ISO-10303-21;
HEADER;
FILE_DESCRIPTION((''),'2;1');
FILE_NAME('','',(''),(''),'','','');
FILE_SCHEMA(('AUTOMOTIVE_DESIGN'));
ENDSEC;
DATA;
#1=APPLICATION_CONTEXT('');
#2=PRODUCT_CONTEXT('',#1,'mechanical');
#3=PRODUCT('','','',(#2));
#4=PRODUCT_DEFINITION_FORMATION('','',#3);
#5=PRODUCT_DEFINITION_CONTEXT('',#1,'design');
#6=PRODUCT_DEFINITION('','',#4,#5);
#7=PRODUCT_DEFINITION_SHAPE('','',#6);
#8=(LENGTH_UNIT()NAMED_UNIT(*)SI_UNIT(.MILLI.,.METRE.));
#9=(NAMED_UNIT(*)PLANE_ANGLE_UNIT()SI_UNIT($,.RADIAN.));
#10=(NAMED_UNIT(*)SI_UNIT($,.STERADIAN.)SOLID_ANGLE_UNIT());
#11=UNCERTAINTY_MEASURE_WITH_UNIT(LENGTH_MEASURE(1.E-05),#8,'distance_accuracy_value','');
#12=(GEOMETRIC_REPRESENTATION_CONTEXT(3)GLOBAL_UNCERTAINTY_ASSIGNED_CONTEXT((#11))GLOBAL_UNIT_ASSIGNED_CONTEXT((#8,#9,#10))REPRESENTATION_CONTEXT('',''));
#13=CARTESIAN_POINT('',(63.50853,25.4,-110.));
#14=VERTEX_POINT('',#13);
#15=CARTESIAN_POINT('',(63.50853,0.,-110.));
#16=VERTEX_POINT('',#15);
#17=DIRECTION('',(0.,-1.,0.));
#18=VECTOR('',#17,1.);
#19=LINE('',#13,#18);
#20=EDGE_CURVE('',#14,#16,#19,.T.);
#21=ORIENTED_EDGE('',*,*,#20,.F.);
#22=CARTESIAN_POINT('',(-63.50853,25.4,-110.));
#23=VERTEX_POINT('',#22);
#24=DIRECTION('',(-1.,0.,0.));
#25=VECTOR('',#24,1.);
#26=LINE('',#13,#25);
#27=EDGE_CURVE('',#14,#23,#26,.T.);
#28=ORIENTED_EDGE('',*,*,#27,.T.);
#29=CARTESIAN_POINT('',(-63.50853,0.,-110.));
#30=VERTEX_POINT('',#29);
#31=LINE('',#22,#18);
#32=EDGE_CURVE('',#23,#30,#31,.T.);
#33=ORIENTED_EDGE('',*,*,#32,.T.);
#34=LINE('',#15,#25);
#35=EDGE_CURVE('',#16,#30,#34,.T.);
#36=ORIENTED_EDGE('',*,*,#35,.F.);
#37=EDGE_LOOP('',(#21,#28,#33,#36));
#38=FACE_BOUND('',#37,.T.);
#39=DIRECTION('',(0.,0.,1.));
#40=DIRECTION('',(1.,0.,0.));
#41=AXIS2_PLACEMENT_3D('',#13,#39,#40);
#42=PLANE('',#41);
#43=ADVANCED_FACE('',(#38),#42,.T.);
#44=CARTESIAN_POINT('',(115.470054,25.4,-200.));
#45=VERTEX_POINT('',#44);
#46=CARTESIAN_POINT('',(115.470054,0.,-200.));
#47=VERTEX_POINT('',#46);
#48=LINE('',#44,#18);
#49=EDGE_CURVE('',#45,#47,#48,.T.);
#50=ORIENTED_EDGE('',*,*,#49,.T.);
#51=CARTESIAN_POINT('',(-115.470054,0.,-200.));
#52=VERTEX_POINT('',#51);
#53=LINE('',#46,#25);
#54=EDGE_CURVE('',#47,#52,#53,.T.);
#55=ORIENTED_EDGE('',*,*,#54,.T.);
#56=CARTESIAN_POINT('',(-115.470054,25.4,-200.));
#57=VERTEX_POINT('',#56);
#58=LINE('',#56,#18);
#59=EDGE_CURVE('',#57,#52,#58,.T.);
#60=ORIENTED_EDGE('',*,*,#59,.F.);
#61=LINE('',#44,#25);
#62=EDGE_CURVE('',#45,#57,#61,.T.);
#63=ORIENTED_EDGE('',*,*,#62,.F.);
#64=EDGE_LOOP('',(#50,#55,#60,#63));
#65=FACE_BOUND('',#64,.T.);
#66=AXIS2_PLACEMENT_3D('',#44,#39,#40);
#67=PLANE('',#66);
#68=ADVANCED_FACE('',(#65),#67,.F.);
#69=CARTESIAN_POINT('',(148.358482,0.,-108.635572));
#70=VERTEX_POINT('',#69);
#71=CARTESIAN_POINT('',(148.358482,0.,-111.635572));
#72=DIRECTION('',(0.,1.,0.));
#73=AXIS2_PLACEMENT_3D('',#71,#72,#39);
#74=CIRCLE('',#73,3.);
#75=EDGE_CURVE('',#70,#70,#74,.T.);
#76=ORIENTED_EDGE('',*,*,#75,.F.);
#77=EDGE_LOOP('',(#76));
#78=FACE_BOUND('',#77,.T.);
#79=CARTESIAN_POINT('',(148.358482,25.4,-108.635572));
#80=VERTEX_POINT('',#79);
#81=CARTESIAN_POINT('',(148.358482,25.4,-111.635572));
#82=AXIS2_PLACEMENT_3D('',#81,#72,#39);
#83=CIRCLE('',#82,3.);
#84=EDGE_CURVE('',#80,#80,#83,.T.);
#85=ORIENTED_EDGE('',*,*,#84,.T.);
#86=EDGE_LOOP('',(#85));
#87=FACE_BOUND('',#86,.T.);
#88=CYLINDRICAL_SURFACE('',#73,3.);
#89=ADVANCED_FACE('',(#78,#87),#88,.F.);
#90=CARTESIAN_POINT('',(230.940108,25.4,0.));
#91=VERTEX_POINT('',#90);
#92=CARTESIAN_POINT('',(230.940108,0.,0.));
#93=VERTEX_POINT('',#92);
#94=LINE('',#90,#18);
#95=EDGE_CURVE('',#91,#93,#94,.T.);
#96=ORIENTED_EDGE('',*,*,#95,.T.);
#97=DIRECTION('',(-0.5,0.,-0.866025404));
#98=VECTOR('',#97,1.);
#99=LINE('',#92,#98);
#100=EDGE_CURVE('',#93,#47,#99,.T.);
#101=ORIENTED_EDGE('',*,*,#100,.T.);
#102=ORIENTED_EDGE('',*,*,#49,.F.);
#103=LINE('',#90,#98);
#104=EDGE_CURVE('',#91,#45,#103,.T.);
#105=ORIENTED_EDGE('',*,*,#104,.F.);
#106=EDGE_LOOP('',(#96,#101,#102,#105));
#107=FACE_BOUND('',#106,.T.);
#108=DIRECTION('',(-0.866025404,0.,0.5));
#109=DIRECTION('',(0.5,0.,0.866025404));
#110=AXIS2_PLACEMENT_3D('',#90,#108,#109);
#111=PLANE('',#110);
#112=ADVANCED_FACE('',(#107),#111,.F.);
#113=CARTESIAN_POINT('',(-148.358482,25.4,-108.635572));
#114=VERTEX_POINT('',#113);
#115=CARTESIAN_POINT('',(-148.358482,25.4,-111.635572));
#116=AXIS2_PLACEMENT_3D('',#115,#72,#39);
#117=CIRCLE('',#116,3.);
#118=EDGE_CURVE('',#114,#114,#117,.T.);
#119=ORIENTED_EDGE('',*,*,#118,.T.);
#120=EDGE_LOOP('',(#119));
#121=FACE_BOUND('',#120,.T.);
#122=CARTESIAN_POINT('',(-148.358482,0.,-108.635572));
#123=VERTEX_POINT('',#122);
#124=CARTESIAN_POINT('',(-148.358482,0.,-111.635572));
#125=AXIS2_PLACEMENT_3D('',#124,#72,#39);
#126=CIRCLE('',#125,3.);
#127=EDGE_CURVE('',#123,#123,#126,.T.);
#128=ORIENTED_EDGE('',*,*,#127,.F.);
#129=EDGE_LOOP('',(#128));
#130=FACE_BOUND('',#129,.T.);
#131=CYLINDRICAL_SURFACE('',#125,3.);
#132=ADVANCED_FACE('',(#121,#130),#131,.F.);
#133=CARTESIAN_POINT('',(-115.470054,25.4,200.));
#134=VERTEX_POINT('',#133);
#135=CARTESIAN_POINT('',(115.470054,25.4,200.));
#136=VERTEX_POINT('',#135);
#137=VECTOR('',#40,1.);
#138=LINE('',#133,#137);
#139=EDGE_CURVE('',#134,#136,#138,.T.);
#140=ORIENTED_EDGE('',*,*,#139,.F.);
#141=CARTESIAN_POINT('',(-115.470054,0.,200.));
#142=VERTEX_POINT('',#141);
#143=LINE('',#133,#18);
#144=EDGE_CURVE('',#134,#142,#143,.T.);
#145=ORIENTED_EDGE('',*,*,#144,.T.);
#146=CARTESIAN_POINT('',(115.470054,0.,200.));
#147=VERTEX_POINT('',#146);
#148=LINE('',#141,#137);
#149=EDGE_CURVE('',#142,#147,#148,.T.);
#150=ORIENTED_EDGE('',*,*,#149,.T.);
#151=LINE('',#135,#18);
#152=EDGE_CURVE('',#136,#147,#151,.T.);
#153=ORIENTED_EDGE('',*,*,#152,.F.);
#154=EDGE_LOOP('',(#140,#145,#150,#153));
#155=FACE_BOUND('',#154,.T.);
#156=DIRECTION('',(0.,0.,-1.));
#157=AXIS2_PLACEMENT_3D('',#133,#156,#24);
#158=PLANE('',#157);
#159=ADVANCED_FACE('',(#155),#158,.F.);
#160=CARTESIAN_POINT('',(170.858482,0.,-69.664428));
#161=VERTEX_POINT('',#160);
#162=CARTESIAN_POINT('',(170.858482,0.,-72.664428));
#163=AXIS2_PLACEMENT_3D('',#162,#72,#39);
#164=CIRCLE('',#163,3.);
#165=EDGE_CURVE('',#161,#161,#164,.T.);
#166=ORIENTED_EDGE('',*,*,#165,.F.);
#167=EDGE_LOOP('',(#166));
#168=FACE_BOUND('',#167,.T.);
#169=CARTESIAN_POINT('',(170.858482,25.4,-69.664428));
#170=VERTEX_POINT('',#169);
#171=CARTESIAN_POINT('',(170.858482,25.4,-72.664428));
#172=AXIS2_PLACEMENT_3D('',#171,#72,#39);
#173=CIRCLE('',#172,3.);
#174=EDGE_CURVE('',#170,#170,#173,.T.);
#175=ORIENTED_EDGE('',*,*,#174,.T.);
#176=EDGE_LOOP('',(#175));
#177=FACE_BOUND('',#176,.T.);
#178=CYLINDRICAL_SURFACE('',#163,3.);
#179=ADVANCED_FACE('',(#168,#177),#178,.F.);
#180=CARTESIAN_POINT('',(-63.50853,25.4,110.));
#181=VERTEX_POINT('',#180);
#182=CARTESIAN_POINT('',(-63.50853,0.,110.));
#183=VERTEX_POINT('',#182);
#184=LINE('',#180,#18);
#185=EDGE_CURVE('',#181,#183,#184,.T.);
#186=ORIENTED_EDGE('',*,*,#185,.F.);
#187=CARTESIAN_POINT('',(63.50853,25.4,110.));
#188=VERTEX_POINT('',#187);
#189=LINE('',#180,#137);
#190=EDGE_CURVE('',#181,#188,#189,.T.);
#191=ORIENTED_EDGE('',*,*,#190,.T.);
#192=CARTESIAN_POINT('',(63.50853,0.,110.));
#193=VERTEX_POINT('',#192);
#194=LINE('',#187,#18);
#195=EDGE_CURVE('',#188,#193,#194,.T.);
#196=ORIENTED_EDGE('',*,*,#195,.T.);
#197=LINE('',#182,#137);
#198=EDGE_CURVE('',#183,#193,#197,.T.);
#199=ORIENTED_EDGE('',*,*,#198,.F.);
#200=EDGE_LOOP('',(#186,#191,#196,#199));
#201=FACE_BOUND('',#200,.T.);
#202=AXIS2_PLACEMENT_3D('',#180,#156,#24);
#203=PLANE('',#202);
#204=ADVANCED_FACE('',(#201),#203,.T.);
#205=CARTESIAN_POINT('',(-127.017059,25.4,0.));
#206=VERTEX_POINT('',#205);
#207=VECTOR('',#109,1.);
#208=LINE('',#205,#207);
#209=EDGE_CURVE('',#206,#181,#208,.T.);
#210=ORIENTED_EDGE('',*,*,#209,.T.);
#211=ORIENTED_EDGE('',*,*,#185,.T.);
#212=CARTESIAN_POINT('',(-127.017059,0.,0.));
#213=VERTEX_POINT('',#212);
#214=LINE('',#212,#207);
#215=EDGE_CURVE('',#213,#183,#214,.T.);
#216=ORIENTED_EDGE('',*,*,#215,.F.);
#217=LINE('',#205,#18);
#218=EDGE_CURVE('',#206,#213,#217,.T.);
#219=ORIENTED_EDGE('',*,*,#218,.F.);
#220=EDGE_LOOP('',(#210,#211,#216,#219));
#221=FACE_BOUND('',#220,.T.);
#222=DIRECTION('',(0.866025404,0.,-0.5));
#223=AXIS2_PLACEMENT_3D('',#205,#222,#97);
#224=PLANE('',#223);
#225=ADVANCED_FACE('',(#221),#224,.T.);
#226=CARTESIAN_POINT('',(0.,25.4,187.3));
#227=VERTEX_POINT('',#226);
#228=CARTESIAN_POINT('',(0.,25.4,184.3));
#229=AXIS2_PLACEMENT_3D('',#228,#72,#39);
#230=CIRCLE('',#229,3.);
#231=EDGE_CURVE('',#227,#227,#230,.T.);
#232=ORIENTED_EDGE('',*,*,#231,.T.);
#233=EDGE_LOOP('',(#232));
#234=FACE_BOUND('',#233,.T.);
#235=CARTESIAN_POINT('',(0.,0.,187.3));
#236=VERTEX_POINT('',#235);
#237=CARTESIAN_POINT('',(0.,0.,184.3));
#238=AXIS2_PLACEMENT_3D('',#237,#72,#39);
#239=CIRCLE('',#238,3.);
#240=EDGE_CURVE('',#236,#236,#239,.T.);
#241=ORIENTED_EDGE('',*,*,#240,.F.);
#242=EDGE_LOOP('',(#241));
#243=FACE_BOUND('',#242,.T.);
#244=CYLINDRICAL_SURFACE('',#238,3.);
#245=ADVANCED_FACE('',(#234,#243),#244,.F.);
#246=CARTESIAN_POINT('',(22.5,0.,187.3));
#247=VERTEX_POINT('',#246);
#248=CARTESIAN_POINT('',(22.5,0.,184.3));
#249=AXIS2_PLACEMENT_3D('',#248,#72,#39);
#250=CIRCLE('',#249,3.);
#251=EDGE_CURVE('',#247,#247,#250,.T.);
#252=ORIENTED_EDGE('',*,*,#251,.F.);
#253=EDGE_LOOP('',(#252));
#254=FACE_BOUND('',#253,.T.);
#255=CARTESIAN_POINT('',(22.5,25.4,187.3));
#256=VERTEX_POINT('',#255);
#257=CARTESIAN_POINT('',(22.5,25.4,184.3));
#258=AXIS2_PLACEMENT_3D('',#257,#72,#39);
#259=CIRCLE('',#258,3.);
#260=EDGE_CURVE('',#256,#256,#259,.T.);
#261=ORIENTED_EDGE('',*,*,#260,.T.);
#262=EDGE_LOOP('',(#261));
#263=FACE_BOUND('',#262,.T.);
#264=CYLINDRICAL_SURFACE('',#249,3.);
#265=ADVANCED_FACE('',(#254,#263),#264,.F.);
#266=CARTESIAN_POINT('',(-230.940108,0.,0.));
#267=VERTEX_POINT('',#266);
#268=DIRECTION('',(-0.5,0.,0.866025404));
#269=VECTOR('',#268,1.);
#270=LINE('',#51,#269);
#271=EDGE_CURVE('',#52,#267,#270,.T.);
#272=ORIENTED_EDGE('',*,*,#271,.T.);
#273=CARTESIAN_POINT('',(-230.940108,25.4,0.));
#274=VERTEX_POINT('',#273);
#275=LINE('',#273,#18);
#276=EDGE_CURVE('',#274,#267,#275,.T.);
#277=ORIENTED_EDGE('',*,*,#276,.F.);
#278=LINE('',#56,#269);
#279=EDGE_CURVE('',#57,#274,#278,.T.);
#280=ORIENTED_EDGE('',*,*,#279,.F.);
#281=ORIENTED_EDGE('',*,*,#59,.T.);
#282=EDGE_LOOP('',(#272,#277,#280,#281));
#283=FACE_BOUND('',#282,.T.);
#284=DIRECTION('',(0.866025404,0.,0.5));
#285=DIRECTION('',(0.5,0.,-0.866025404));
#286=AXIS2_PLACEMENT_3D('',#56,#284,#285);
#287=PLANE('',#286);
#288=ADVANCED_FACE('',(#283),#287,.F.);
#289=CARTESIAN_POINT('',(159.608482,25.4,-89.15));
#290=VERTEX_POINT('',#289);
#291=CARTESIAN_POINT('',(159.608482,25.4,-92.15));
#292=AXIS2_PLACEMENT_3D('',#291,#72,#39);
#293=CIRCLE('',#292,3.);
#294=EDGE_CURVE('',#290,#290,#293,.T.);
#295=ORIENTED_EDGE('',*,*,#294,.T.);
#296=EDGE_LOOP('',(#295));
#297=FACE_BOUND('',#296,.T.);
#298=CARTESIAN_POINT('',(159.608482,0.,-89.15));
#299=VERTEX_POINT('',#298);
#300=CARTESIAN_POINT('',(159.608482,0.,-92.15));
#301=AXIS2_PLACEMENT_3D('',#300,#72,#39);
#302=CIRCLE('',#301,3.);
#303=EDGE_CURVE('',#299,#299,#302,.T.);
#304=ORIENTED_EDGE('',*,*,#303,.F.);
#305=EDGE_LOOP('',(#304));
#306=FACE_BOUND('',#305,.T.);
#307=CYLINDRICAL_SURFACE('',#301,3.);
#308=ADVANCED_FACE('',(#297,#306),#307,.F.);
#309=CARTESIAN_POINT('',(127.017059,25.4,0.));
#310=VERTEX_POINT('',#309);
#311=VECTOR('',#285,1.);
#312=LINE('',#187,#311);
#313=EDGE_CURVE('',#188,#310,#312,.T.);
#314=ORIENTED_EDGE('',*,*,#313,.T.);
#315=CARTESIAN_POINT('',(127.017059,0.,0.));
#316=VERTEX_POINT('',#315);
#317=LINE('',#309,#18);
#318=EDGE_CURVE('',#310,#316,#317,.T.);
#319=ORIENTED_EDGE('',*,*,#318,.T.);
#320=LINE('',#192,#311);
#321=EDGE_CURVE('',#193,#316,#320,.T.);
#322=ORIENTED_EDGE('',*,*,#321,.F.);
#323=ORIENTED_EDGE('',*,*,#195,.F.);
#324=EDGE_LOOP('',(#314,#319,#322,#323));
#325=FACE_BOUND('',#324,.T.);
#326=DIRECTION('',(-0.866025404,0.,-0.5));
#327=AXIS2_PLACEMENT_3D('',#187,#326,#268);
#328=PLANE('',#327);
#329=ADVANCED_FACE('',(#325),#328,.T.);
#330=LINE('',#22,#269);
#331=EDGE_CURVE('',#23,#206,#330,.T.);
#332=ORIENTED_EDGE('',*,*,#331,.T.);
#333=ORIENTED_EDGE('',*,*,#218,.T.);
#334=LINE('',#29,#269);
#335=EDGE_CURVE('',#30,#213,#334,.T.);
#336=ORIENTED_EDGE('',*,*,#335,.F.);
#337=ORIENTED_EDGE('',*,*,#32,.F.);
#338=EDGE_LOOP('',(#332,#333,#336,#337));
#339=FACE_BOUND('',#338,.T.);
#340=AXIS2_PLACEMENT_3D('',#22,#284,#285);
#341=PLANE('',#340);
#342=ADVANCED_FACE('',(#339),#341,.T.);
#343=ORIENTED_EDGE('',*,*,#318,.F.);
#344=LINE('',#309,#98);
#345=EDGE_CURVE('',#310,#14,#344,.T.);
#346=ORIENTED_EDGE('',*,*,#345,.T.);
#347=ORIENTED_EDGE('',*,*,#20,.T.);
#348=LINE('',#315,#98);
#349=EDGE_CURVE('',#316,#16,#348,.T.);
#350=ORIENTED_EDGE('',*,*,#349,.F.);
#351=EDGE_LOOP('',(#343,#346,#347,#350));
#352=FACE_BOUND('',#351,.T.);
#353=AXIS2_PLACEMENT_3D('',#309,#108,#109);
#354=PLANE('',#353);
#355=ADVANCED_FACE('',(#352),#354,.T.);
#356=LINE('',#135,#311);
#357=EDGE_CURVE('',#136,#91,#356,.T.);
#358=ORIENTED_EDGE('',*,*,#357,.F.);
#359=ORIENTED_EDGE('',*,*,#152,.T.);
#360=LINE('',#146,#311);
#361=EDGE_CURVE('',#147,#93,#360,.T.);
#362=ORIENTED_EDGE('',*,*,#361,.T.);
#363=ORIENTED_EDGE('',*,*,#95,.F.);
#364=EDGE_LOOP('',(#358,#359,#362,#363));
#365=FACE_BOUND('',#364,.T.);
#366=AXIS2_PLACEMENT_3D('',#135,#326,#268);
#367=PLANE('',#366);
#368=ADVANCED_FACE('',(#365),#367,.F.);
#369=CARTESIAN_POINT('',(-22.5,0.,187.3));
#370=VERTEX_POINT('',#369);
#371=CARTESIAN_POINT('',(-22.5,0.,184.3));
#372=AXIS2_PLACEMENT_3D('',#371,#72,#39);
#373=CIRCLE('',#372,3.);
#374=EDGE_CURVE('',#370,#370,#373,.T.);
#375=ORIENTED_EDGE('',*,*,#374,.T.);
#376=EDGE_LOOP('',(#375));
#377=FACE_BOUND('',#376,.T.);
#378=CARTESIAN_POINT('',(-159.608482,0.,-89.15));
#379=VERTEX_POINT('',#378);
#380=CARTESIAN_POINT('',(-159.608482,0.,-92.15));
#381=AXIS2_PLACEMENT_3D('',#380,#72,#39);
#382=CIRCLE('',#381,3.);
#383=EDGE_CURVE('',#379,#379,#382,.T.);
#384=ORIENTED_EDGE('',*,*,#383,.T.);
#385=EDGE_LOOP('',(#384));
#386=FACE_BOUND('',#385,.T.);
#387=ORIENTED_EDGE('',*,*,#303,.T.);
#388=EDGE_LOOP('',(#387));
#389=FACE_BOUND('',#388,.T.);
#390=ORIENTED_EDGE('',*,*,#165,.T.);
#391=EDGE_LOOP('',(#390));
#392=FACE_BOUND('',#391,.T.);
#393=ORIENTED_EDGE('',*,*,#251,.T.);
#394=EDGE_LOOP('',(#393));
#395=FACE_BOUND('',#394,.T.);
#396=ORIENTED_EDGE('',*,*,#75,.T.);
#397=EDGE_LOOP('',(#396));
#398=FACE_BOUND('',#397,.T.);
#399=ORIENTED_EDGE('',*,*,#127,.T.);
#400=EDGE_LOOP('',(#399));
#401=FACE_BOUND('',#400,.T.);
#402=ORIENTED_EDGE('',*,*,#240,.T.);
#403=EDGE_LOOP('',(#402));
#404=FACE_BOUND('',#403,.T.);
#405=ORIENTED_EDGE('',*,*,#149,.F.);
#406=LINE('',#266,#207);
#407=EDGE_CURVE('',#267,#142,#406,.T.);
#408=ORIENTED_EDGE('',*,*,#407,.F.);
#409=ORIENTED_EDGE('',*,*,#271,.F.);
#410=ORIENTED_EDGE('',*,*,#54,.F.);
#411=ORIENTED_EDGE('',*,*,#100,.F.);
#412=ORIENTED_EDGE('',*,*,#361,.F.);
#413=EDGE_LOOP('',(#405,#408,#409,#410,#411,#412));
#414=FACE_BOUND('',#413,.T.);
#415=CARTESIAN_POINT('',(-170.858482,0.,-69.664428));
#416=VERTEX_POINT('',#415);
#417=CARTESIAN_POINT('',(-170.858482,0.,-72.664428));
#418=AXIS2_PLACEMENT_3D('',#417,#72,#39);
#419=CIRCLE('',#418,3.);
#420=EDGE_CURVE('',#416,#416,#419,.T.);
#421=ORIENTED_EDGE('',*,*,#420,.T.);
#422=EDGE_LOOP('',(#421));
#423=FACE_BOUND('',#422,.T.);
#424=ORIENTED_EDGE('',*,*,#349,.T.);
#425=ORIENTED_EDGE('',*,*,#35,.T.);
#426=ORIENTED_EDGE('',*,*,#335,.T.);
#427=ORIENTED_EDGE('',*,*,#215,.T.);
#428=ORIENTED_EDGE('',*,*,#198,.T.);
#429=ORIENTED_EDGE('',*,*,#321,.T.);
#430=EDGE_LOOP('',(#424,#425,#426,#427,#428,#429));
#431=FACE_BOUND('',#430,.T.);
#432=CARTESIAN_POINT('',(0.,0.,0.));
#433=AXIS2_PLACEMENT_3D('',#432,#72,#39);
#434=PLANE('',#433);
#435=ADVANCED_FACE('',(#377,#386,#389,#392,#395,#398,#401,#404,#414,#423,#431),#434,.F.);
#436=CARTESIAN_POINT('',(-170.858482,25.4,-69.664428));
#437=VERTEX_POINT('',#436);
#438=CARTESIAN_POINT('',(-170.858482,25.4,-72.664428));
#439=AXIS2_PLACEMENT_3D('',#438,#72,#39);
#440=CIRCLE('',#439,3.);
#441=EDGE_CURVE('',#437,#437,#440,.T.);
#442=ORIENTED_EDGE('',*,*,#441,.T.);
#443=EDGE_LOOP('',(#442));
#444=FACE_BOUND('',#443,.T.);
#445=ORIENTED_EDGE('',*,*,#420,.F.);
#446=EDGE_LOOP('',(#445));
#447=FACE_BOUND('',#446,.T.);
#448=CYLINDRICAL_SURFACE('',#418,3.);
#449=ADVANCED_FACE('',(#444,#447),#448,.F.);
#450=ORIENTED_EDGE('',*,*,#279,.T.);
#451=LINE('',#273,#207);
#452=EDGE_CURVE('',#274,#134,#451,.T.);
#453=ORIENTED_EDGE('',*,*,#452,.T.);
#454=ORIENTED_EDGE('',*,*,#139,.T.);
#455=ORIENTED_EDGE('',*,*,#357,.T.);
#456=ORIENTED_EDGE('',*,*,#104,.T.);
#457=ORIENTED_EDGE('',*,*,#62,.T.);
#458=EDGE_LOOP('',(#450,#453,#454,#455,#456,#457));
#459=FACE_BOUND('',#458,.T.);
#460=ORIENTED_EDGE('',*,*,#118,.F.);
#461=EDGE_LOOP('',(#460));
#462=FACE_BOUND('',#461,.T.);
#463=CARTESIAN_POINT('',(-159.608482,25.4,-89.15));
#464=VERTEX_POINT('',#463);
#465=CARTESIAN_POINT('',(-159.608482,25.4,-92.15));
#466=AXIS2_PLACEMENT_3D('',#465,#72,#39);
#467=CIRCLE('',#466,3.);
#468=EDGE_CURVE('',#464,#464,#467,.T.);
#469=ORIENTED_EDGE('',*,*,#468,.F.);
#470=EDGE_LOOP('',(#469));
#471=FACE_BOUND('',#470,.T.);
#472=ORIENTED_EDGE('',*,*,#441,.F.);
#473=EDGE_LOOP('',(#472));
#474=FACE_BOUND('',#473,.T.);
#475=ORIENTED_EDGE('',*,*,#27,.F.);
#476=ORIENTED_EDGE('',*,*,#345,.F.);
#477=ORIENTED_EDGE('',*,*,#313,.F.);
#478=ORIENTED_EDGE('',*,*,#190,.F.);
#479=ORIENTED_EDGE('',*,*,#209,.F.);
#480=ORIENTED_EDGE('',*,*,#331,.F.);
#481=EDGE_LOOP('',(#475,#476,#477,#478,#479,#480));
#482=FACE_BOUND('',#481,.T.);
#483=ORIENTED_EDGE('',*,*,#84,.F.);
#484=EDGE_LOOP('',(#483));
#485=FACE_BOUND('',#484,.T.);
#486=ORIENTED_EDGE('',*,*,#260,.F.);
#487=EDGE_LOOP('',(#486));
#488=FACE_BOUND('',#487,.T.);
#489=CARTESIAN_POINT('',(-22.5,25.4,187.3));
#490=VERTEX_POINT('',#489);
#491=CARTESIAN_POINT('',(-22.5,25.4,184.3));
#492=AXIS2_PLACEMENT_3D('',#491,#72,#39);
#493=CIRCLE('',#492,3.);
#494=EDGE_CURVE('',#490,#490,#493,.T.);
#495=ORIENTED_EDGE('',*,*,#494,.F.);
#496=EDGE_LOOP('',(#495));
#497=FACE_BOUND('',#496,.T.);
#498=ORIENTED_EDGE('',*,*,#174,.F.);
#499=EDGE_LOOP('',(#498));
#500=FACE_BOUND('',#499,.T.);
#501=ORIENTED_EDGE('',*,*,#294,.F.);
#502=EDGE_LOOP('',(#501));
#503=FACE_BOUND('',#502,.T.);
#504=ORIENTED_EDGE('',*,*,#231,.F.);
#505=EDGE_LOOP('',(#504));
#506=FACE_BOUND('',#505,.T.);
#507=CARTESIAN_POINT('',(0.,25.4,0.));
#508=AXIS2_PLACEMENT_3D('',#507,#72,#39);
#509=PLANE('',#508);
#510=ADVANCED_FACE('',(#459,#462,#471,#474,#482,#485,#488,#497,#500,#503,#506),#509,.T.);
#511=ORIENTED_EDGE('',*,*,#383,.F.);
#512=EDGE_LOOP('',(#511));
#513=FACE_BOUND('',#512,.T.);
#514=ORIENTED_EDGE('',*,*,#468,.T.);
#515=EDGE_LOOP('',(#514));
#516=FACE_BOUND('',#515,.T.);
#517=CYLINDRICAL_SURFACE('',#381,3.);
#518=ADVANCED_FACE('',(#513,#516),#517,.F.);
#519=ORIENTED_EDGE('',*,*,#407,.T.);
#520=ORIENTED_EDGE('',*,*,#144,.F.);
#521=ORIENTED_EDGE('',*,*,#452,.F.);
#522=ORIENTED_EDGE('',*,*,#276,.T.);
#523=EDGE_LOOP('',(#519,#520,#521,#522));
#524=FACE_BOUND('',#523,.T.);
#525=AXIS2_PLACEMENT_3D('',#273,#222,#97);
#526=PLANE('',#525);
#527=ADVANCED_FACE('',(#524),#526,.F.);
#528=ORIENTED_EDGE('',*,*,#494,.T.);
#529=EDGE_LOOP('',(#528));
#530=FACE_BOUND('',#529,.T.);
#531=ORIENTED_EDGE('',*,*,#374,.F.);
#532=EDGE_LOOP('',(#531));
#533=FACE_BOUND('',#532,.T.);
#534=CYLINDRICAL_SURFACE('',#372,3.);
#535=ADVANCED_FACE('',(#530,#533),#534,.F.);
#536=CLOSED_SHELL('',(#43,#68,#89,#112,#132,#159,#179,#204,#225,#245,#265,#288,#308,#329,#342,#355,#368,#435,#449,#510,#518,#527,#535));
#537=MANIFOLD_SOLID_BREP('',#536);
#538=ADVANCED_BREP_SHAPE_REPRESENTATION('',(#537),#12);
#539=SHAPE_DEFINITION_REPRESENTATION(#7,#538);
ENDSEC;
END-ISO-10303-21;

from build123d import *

# Parameters (mm, degrees)
SALIENTE_EXTRUIR1_DEPTH = 25.4
CROQUIS2_R              = 3
CORTAR_EXTRUIR2_DEPTH   = 26.4


with BuildPart() as part:
    # Croquis1 → Saliente-Extruir1 (new body)
    with BuildSketch(Plane(origin=(0, 0, 0), x_dir=(1, 0, 0), z_dir=(0, 1, 0))):
        Polygon((115.470053838, -200), (230.940107676, 0), (115.470053838, 200), (-115.470053838, 200), (-230.940107676, 0), (-115.470053838, -200), align=None)
        Polygon((127.017059222, 0), (63.508529611, 110), (-63.508529611, 110), (-127.017059222, 0), (-63.508529611, -110), (63.508529611, -110), align=None, mode=Mode.SUBTRACT)
    extrude(amount=SALIENTE_EXTRUIR1_DEPTH)

    # Croquis2 → Cortar-Extruir2 (cut, through all)
    with BuildSketch(Plane(origin=(0, 25.4, 0), x_dir=(1, 0, 0), z_dir=(0, 1, 0))):
        with Locations((0, -184.3)):
            Circle(CROQUIS2_R)
        with Locations((-22.5, -184.3)):
            Circle(CROQUIS2_R)
        with Locations((22.5, -184.3)):
            Circle(CROQUIS2_R)
        with Locations((-148.358481917, 111.635571585)):
            Circle(CROQUIS2_R)
        with Locations((-159.608481917, 92.15)):
            Circle(CROQUIS2_R)
        with Locations((-170.858481917, 72.664428415)):
            Circle(CROQUIS2_R)
        with Locations((170.858481917, 72.664428415)):
            Circle(CROQUIS2_R)
        with Locations((159.608481917, 92.15)):
            Circle(CROQUIS2_R)
        with Locations((148.358481917, 111.635571585)):
            Circle(CROQUIS2_R)
    extrude(amount=-CORTAR_EXTRUIR2_DEPTH, mode=Mode.SUBTRACT)


solid = part.part
